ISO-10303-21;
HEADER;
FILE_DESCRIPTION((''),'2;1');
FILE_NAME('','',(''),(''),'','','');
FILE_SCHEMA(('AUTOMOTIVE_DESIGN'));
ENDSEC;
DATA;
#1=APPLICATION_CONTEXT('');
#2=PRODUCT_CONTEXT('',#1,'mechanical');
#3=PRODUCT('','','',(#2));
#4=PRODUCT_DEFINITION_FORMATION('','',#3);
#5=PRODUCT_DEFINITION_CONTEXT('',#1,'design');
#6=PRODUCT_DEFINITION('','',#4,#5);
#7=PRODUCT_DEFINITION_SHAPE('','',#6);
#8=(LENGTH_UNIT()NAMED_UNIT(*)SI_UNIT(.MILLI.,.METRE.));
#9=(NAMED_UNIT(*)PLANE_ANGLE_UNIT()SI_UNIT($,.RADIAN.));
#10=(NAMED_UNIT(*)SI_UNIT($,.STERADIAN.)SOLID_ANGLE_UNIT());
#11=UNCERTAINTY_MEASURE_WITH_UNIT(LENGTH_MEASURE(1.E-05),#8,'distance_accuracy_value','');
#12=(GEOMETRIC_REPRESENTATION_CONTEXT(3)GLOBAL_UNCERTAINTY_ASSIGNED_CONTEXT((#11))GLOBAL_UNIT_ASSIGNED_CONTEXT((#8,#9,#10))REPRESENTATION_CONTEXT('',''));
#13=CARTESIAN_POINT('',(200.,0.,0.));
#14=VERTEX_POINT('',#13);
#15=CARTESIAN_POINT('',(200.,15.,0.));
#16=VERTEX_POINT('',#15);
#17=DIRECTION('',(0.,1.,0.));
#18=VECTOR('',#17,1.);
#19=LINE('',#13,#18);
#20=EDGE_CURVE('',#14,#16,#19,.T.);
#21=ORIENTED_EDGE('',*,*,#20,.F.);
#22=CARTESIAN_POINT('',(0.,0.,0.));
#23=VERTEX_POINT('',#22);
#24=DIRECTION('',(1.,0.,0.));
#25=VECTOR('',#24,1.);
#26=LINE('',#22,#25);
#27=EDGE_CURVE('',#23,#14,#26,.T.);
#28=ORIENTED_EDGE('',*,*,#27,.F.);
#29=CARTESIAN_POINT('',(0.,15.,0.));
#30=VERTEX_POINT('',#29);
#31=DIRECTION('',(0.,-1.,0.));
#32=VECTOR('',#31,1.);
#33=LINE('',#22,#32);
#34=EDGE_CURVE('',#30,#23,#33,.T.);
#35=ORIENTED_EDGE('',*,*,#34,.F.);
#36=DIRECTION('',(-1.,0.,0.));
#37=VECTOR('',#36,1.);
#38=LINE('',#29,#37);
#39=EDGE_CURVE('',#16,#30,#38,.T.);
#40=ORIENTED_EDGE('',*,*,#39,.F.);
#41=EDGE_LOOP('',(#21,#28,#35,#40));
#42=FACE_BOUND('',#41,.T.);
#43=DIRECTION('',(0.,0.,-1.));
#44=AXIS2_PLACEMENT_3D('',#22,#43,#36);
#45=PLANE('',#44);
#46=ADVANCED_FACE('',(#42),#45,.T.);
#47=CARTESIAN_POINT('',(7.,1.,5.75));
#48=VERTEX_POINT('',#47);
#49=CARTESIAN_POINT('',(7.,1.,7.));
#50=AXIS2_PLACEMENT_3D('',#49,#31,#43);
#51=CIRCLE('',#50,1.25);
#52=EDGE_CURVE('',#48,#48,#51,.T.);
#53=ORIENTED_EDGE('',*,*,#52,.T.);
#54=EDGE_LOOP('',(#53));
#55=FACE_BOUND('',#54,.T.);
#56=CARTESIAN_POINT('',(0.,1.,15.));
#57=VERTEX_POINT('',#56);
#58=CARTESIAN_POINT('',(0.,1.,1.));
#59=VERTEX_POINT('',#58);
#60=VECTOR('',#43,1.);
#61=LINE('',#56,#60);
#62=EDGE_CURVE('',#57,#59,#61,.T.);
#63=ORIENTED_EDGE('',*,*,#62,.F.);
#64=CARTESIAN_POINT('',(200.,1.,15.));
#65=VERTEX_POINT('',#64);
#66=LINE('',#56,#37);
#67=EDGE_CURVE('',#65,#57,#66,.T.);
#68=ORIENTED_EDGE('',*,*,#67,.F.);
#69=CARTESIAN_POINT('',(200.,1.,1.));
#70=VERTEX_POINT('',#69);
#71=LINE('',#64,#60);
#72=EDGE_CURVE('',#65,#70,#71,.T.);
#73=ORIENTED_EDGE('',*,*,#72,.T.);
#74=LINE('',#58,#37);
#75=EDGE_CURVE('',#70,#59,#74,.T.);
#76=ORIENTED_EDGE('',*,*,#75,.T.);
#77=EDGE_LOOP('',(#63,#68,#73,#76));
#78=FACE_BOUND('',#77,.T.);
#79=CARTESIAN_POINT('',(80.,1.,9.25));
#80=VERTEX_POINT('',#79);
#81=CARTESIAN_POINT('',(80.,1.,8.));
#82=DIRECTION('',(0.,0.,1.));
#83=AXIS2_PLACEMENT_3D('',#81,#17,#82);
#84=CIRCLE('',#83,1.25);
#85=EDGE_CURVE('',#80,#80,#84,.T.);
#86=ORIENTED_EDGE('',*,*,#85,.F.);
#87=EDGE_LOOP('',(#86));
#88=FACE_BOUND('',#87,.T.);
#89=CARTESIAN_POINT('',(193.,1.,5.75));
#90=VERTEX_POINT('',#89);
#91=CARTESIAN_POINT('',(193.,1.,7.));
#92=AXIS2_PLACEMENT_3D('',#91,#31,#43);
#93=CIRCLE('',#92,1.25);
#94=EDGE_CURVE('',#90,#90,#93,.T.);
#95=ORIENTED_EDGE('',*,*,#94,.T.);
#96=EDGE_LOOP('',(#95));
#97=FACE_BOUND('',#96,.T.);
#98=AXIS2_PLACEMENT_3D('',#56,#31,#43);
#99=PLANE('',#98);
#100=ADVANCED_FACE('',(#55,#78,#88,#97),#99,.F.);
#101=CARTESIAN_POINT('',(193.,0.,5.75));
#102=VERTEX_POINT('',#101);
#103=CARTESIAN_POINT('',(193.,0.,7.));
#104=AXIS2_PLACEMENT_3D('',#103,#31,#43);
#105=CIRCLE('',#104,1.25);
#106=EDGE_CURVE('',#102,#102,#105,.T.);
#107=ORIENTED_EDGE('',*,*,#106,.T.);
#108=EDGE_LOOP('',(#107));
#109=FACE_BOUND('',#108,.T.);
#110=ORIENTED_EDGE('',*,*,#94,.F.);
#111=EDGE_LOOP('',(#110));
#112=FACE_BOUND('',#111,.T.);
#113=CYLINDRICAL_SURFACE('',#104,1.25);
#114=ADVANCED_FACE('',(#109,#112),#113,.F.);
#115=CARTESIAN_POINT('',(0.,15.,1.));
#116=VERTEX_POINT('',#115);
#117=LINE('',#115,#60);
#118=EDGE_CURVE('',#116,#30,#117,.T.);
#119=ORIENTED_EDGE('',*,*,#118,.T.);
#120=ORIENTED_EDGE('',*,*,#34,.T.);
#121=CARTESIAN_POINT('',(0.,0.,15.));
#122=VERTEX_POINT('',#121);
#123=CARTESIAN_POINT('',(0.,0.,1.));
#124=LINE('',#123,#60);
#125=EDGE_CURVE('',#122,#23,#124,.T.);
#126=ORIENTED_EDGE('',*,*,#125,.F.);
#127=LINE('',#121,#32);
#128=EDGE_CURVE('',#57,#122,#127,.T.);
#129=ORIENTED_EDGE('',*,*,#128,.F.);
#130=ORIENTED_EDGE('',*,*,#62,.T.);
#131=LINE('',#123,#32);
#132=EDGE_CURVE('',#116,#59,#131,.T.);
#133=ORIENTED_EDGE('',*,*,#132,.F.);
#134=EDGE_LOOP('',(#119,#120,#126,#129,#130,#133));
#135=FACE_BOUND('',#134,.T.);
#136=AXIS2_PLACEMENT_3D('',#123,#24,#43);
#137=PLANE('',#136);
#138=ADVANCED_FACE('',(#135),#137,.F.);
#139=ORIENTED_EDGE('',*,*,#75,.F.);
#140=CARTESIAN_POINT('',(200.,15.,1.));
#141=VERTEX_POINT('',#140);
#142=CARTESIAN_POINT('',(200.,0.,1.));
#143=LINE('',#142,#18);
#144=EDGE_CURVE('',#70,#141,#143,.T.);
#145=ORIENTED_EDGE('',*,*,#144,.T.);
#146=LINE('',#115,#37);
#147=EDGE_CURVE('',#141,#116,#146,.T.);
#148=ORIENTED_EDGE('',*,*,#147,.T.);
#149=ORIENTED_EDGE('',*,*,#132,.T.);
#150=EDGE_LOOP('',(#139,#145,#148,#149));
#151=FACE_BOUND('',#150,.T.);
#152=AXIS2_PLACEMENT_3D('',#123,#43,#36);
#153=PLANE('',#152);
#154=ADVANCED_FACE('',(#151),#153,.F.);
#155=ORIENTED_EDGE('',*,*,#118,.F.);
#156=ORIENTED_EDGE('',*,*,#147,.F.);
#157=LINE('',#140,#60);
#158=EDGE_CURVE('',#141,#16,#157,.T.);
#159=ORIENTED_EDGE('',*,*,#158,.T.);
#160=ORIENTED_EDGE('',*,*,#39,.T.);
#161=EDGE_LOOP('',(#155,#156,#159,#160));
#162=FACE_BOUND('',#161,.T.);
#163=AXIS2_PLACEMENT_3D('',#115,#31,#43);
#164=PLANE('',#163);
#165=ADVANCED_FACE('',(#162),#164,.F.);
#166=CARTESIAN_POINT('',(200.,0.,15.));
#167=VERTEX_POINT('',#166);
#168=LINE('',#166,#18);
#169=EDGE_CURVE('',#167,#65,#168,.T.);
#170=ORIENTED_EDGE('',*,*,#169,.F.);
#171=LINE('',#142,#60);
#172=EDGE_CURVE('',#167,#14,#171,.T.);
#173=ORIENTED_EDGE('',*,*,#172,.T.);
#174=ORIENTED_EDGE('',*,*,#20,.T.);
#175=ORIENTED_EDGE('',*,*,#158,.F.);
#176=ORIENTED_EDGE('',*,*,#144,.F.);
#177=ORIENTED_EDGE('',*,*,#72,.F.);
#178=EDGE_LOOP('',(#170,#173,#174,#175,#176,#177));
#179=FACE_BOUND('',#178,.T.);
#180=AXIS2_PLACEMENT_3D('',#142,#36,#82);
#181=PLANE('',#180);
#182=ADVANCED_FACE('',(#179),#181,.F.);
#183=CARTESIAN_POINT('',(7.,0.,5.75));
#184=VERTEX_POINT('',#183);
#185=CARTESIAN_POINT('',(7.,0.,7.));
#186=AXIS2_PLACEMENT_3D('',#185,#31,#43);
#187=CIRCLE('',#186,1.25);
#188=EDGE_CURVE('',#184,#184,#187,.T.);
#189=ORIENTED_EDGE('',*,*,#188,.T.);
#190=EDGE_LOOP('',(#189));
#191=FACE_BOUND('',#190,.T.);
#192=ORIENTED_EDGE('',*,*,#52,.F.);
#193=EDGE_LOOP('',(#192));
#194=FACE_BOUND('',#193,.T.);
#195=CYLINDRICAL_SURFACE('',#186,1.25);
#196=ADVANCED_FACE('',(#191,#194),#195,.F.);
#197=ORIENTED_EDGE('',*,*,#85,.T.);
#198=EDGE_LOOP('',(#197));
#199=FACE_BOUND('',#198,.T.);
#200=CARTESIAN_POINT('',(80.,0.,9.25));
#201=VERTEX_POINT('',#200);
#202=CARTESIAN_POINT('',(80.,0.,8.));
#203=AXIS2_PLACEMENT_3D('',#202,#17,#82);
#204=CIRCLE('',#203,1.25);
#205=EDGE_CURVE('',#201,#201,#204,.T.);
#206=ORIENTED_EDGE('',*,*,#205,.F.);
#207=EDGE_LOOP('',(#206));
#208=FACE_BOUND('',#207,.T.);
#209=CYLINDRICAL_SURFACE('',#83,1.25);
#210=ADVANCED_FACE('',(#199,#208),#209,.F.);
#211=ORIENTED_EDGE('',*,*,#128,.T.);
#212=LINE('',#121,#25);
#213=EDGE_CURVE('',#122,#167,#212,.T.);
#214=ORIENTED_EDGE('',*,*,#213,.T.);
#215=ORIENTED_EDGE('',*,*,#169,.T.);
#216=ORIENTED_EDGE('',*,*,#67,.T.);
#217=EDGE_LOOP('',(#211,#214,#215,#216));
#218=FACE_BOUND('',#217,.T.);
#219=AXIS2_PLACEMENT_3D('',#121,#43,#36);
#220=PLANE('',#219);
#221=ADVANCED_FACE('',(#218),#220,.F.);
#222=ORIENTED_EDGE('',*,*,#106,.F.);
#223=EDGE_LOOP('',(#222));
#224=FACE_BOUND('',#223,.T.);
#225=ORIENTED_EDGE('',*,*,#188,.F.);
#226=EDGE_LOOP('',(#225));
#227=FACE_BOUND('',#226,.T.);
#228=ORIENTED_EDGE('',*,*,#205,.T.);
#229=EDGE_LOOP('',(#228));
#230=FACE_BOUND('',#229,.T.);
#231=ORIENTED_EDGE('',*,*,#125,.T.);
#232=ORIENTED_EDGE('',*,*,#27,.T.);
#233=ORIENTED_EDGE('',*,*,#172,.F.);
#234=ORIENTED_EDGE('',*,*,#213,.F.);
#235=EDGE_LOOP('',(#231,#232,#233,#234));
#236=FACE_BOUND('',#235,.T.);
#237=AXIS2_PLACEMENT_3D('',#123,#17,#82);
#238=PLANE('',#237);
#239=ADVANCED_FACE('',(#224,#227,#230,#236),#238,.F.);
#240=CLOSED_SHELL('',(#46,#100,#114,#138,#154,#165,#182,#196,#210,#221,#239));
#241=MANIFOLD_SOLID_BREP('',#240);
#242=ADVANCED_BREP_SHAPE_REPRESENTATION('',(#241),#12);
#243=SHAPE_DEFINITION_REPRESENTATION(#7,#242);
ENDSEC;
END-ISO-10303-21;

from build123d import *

# Parameters (mm, degrees)
SKETCH_1_W      = 200
SKETCH_1_H      = 15
EXTRUDE_1_DEPTH = 1
SKETCH_2_W      = 200
SKETCH_2_H      = 1
EXTRUDE_2_DEPTH = 14
M3X0_5_1_D      = 2.5
M3X0_5_2_D      = 2.5


with BuildPart() as part:
    # ｽｹｯﾁ1 → ﾎﾞｽ - 押し出し1 (new body)
    with BuildSketch(Plane.XY):
        with Locations((100, 7.5)):
            Rectangle(SKETCH_1_W, SKETCH_1_H)
    extrude(amount=EXTRUDE_1_DEPTH)

    # ｽｹｯﾁ2 → ﾎﾞｽ - 押し出し2 (add)
    with BuildSketch(Plane.XY.offset(1)):
        with Locations((100, 0.5)):
            Rectangle(SKETCH_2_W, SKETCH_2_H)
    extrude(amount=EXTRUDE_2_DEPTH)

    # M3x0.5 ねじ穴1 (through all)
    with Locations(Plane(origin=(0, 0, 0), x_dir=(-1, 0, 0), z_dir=(0, -1, 0))):
        with Locations((-193, -7)):
            m3x0_5_1 = Hole(M3X0_5_1_D / 2)

    # M3x0.5 ねじ穴2 (through all)
    with Locations(Plane(origin=(0, 1, 0), x_dir=(1, 0, 0), z_dir=(0, 1, 0))):
        with Locations((80, -8)):
            Hole(M3X0_5_2_D / 2)

    # ﾐﾗｰ1: M3x0.5 ねじ穴1 across plane
    add(m3x0_5_1.mirror(Plane(origin=(100, 0, 0), x_dir=(0, 0, 1), z_dir=(1, 0, 0))), mode=Mode.SUBTRACT)


solid = part.part
